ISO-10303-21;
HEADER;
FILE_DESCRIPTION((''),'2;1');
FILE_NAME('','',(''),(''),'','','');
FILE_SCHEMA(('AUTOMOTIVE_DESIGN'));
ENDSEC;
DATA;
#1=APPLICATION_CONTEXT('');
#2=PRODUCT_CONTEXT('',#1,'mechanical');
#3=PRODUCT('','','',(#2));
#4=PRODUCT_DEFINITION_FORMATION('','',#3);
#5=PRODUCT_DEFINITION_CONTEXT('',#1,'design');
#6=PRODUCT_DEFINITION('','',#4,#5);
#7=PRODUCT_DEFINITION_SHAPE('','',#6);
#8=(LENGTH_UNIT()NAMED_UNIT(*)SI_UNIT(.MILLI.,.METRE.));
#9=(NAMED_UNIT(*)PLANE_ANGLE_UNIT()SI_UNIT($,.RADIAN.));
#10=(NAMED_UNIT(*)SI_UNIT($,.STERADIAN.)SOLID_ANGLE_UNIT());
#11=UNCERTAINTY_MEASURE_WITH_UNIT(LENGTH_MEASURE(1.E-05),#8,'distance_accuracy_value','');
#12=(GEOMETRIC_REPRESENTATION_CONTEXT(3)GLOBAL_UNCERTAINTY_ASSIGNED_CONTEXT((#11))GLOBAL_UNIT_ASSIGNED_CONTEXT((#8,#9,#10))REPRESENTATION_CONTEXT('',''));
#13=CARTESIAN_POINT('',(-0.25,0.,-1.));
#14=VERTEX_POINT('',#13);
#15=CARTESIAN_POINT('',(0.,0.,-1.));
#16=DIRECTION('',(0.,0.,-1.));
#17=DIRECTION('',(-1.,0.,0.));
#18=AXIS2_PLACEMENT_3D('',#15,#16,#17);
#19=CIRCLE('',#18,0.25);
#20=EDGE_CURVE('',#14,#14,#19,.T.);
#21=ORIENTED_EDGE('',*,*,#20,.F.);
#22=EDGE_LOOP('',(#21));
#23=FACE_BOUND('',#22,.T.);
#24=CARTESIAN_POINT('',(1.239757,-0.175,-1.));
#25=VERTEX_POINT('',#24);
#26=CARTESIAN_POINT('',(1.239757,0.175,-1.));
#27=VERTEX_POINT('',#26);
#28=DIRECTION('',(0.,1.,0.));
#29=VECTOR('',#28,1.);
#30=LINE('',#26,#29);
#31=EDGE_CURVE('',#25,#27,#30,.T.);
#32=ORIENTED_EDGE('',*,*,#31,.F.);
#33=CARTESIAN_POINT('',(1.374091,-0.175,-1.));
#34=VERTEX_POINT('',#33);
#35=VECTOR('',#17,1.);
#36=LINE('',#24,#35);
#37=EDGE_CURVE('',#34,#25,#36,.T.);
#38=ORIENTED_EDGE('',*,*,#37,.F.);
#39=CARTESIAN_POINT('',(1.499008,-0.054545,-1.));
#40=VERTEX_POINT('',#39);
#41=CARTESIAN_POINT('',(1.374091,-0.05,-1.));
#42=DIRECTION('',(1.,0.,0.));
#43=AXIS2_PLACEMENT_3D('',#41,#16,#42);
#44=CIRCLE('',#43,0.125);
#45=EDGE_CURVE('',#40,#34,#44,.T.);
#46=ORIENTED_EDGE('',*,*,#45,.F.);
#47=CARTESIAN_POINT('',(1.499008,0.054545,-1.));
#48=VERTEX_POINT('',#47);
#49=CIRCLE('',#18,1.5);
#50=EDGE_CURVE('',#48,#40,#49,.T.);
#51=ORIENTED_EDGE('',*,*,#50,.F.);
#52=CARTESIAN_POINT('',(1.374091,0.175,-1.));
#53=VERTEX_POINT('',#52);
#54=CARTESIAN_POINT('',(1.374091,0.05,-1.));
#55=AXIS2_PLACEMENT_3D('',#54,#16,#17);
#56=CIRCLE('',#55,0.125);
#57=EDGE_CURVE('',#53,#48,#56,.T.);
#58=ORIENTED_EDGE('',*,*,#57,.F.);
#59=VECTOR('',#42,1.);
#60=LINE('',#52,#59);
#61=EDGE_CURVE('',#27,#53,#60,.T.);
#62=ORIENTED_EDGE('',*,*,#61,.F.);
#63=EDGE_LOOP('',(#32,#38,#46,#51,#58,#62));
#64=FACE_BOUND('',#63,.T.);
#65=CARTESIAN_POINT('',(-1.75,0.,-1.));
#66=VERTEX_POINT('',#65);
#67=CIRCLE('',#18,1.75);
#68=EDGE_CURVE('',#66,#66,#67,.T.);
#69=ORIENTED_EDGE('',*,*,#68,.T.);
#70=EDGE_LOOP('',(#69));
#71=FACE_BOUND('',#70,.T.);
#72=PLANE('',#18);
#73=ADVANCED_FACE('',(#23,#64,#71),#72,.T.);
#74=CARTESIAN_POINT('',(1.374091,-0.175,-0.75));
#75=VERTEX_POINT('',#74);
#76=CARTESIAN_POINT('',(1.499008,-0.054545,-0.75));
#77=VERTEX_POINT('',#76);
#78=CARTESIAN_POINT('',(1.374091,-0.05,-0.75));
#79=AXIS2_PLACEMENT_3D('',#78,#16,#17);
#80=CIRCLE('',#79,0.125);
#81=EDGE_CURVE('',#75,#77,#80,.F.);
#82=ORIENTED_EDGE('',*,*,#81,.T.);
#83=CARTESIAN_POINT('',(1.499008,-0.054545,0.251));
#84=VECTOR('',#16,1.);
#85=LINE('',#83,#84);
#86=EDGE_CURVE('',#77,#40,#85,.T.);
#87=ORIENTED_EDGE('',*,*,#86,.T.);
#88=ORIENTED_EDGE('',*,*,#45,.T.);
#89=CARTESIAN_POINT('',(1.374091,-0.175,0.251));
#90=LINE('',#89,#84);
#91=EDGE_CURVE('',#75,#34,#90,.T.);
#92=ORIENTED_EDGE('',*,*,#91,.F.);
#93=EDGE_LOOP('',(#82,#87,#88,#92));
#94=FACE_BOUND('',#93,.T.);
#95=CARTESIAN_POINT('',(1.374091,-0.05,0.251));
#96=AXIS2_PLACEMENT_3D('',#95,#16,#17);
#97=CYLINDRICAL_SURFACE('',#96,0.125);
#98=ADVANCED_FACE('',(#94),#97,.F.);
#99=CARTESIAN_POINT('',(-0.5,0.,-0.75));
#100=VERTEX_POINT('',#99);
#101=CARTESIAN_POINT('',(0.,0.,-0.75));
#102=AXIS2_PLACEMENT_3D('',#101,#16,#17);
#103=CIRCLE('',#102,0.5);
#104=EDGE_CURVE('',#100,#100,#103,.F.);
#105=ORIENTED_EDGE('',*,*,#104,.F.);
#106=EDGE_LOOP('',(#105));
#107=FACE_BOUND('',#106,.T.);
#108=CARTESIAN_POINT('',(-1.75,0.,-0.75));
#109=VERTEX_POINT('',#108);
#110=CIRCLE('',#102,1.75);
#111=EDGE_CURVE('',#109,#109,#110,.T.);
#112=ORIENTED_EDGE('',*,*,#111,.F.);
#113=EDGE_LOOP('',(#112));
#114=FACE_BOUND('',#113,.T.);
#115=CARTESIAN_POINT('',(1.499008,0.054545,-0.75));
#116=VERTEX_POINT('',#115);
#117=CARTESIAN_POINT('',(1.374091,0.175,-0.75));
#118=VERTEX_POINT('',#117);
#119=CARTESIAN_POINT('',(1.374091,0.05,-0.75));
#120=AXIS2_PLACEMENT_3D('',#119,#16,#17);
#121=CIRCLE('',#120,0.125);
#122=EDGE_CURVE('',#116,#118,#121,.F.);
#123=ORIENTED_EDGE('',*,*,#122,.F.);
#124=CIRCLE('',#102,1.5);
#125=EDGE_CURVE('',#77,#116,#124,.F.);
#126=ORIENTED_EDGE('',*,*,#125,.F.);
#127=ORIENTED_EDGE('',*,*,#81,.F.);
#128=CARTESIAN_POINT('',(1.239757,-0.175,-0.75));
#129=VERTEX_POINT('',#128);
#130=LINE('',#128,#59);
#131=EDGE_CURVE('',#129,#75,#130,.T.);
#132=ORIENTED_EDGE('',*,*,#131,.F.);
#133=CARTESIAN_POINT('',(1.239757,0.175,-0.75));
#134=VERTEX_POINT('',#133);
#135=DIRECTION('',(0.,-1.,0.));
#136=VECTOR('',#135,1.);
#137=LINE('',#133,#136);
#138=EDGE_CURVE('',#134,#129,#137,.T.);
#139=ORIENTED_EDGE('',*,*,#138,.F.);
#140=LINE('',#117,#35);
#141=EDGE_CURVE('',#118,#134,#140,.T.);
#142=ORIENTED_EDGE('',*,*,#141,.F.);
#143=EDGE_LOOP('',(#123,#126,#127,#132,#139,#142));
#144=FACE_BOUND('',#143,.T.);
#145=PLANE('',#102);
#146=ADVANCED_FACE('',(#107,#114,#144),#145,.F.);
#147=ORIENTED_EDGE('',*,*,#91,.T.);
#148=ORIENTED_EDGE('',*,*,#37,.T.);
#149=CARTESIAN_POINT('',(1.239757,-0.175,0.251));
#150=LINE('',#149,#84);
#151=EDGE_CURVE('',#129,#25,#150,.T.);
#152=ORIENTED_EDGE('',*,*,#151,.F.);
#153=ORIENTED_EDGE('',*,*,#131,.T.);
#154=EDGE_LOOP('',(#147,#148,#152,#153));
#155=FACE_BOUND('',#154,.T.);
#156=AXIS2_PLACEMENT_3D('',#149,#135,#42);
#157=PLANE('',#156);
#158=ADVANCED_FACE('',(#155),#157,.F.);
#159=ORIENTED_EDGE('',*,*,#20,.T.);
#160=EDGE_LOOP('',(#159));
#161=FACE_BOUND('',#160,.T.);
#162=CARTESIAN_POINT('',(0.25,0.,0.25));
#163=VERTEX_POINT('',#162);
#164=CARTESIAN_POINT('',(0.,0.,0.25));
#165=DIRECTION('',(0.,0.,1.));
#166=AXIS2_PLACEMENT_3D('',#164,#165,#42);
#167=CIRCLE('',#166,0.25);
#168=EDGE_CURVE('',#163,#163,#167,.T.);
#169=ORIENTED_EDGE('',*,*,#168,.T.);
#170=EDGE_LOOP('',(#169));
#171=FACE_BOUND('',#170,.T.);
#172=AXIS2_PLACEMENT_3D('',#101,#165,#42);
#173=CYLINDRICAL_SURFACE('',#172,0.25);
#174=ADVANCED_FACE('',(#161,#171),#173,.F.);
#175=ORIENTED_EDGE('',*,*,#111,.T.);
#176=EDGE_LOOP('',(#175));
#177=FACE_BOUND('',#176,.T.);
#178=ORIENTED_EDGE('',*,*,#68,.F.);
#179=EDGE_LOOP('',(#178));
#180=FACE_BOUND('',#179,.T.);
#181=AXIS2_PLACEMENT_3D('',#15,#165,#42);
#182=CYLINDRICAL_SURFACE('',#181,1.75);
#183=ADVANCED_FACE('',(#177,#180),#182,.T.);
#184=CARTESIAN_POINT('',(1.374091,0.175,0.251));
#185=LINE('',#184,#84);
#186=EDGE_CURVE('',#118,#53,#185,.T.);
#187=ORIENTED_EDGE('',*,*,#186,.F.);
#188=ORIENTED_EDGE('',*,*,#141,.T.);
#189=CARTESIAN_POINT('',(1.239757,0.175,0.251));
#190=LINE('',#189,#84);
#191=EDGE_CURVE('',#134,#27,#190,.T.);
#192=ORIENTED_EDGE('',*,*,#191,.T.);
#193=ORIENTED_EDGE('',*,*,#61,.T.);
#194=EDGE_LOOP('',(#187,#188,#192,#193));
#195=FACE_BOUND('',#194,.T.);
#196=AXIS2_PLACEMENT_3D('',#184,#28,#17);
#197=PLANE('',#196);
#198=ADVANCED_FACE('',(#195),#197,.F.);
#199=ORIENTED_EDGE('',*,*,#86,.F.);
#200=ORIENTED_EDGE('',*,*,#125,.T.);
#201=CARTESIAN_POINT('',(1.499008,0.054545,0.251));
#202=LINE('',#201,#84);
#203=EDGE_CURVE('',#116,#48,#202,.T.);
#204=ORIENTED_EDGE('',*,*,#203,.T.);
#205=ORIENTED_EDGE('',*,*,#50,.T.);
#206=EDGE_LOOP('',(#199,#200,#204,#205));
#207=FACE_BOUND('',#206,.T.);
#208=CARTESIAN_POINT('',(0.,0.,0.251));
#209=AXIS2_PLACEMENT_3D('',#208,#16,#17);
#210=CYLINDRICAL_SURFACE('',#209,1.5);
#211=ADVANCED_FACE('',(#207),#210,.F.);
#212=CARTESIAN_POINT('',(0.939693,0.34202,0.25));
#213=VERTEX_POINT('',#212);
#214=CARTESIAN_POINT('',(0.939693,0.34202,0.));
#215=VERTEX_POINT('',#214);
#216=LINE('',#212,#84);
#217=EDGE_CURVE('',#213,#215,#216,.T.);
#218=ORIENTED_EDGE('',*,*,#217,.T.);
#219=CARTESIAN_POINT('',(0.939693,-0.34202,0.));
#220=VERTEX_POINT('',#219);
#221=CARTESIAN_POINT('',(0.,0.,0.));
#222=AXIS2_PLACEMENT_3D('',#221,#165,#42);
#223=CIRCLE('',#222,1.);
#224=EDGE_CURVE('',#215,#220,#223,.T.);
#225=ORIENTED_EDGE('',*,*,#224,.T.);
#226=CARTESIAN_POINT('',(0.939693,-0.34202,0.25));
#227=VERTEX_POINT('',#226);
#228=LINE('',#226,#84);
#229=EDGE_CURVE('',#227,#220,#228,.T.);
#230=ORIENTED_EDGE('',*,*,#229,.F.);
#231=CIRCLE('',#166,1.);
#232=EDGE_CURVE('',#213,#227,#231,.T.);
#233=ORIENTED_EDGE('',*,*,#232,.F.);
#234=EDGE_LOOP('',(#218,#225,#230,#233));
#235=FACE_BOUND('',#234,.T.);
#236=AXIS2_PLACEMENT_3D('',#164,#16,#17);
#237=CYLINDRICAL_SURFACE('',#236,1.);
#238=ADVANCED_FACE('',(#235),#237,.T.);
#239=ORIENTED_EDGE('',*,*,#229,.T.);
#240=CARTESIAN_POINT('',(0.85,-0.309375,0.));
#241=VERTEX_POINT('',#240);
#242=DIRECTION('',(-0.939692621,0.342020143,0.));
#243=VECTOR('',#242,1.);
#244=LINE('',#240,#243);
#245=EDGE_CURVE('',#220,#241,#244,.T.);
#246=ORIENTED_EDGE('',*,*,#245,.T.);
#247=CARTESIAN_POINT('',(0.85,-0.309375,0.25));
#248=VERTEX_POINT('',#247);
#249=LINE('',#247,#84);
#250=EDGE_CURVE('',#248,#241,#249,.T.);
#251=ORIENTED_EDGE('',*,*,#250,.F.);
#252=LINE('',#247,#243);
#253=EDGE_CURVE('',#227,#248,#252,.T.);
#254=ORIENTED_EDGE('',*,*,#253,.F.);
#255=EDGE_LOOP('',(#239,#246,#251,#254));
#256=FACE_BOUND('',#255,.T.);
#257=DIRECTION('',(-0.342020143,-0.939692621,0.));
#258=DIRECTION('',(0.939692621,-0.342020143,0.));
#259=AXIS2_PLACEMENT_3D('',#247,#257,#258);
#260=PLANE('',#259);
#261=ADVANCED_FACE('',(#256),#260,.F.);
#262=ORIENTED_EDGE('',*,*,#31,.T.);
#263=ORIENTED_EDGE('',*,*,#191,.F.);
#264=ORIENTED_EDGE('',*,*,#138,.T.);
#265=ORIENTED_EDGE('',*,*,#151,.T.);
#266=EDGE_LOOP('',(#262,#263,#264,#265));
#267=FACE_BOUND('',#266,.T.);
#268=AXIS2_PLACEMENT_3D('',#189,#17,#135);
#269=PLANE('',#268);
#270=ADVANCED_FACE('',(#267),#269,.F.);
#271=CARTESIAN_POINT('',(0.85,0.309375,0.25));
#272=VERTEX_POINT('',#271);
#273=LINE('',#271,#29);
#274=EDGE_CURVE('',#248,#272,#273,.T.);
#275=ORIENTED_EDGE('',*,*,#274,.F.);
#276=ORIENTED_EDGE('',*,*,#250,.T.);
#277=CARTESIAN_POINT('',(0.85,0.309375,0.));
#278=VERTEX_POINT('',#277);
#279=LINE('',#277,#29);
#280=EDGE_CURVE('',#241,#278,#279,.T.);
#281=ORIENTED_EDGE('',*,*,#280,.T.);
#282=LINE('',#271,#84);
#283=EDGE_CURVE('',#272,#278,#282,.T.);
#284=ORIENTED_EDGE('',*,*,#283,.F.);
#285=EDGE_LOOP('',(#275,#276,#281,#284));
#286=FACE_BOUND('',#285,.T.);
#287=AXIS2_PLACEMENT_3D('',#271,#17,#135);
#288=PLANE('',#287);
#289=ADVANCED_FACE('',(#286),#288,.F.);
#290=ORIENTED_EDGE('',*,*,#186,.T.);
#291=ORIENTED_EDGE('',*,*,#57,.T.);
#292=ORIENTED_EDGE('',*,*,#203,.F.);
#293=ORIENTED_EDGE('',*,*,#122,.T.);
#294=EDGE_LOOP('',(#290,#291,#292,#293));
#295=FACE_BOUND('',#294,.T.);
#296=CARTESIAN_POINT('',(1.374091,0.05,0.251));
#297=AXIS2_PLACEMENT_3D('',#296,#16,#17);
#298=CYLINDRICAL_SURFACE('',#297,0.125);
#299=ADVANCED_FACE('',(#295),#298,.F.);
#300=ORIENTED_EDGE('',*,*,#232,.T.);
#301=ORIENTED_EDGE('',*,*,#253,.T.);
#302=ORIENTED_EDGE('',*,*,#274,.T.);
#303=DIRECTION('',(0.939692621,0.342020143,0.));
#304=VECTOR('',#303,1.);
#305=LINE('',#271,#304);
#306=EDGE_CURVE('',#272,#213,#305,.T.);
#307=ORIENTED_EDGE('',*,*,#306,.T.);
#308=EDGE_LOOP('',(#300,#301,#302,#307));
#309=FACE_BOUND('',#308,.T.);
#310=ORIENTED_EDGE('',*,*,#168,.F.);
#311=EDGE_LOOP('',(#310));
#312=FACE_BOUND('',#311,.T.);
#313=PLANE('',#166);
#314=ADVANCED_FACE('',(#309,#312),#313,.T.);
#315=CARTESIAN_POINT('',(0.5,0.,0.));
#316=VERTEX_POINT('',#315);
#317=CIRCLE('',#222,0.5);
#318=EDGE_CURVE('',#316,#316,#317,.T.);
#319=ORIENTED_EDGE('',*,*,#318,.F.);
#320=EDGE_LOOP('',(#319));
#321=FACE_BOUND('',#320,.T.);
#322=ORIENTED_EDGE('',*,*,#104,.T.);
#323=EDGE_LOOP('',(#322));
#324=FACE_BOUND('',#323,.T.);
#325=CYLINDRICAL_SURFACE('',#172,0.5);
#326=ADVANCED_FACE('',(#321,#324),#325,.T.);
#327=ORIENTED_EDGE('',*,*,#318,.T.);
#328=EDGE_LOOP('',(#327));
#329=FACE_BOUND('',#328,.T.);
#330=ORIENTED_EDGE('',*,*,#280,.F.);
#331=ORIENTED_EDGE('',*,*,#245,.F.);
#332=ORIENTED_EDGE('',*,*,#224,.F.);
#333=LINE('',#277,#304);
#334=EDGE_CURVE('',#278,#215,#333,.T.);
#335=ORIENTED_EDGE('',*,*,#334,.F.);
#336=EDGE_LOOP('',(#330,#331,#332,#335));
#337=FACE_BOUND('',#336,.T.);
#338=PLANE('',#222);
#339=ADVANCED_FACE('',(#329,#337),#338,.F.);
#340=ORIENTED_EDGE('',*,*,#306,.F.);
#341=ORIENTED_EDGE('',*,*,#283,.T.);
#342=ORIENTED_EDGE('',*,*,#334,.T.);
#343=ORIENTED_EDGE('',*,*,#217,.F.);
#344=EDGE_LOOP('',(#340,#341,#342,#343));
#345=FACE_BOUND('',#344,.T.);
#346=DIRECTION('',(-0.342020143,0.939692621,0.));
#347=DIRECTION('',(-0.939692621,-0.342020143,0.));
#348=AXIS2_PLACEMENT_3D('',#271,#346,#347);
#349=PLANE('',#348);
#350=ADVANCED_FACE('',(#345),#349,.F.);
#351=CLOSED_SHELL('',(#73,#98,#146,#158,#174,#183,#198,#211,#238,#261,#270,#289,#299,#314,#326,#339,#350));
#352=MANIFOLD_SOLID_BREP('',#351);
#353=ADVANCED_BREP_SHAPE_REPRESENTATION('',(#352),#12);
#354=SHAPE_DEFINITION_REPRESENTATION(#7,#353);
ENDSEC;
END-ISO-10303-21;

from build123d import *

# Parameters (mm, degrees)
CROQUIS1_R              = 0.5
CROQUIS1_R_2            = 0.25
SALIENTE_EXTRUIR1_DEPTH = 0.75
CROQUIS2_R              = 0.25
SALIENTE_EXTRUIR2_DEPTH = 0.25
CROQUIS3_R              = 1.75
CROQUIS3_R_2            = 0.25
SALIENTE_EXTRUIR3_DEPTH = 0.25
CORTAR_EXTRUIR1_REACH   = 3.25


with BuildPart() as part:
    # Croquis1 → Saliente-Extruir1 (new body)
    with BuildSketch(Plane.XY):
        Circle(CROQUIS1_R)
        Circle(CROQUIS1_R_2, mode=Mode.SUBTRACT)
    extrude(amount=-SALIENTE_EXTRUIR1_DEPTH)

    # Croquis2 → Saliente-Extruir2 (add)
    with BuildSketch(Plane.XY):
        with BuildLine():
            Line((0.85, 0.309374699), (0.85, -0.309374699))
            Line((0.85, -0.309374699), (0.939692621, -0.342020143))
            ThreePointArc((0.939692621, -0.342020143), (0.707106781, -0.707106781), (0.342020143, -0.939692621))
            ThreePointArc((0.342020143, -0.939692621), (-0.906307787, 0.422618262), (0.939692621, 0.342020143))
            Line((0.939692621, 0.342020143), (0.85, 0.309374699))
        make_face()
        Circle(CROQUIS2_R, mode=Mode.SUBTRACT)
    extrude(amount=SALIENTE_EXTRUIR2_DEPTH)

    # Croquis3 → Saliente-Extruir3 (add)
    with BuildSketch(Plane(origin=(0, 0, -0.75), x_dir=(-1, 0, 0), z_dir=(0, 0, -1))):
        Circle(CROQUIS3_R)
        Circle(CROQUIS3_R_2, mode=Mode.SUBTRACT)
    extrude(amount=SALIENTE_EXTRUIR3_DEPTH)

    # Croquis4 → Cortar-Extruir1 (cut, up to next)
    with BuildSketch(Plane(origin=(0, 0, -1), x_dir=(-1, 0, 0), z_dir=(0, 0, -1)), mode=Mode.PRIVATE) as cortar_extruir1_sk1:
        with BuildLine():
            Line((-1.374090608, 0.175), (-1.239756692, 0.175))
            Line((-1.239756692, 0.175), (-1.239756692, -0.175))
            Line((-1.239756692, -0.175), (-1.374090608, -0.175))
            ThreePointArc((-1.374090608, -0.175), (-1.460857014, -0.139981059), (-1.499007936, -0.054545455))
            ThreePointArc((-1.499007936, -0.054545455), (-1.5, 0), (-1.499007936, 0.054545455))
            ThreePointArc((-1.499007936, 0.054545455), (-1.460857014, 0.139981059), (-1.374090608, 0.175))
        make_face()
    cortar_extruir1_tool1 = extrude(cortar_extruir1_sk1.sketch, amount=-CORTAR_EXTRUIR1_REACH, mode=Mode.PRIVATE) & part.part
    add(cortar_extruir1_tool1.solids().sort_by_distance((1.361411, 0, -1))[0], mode=Mode.SUBTRACT)


solid = part.part
